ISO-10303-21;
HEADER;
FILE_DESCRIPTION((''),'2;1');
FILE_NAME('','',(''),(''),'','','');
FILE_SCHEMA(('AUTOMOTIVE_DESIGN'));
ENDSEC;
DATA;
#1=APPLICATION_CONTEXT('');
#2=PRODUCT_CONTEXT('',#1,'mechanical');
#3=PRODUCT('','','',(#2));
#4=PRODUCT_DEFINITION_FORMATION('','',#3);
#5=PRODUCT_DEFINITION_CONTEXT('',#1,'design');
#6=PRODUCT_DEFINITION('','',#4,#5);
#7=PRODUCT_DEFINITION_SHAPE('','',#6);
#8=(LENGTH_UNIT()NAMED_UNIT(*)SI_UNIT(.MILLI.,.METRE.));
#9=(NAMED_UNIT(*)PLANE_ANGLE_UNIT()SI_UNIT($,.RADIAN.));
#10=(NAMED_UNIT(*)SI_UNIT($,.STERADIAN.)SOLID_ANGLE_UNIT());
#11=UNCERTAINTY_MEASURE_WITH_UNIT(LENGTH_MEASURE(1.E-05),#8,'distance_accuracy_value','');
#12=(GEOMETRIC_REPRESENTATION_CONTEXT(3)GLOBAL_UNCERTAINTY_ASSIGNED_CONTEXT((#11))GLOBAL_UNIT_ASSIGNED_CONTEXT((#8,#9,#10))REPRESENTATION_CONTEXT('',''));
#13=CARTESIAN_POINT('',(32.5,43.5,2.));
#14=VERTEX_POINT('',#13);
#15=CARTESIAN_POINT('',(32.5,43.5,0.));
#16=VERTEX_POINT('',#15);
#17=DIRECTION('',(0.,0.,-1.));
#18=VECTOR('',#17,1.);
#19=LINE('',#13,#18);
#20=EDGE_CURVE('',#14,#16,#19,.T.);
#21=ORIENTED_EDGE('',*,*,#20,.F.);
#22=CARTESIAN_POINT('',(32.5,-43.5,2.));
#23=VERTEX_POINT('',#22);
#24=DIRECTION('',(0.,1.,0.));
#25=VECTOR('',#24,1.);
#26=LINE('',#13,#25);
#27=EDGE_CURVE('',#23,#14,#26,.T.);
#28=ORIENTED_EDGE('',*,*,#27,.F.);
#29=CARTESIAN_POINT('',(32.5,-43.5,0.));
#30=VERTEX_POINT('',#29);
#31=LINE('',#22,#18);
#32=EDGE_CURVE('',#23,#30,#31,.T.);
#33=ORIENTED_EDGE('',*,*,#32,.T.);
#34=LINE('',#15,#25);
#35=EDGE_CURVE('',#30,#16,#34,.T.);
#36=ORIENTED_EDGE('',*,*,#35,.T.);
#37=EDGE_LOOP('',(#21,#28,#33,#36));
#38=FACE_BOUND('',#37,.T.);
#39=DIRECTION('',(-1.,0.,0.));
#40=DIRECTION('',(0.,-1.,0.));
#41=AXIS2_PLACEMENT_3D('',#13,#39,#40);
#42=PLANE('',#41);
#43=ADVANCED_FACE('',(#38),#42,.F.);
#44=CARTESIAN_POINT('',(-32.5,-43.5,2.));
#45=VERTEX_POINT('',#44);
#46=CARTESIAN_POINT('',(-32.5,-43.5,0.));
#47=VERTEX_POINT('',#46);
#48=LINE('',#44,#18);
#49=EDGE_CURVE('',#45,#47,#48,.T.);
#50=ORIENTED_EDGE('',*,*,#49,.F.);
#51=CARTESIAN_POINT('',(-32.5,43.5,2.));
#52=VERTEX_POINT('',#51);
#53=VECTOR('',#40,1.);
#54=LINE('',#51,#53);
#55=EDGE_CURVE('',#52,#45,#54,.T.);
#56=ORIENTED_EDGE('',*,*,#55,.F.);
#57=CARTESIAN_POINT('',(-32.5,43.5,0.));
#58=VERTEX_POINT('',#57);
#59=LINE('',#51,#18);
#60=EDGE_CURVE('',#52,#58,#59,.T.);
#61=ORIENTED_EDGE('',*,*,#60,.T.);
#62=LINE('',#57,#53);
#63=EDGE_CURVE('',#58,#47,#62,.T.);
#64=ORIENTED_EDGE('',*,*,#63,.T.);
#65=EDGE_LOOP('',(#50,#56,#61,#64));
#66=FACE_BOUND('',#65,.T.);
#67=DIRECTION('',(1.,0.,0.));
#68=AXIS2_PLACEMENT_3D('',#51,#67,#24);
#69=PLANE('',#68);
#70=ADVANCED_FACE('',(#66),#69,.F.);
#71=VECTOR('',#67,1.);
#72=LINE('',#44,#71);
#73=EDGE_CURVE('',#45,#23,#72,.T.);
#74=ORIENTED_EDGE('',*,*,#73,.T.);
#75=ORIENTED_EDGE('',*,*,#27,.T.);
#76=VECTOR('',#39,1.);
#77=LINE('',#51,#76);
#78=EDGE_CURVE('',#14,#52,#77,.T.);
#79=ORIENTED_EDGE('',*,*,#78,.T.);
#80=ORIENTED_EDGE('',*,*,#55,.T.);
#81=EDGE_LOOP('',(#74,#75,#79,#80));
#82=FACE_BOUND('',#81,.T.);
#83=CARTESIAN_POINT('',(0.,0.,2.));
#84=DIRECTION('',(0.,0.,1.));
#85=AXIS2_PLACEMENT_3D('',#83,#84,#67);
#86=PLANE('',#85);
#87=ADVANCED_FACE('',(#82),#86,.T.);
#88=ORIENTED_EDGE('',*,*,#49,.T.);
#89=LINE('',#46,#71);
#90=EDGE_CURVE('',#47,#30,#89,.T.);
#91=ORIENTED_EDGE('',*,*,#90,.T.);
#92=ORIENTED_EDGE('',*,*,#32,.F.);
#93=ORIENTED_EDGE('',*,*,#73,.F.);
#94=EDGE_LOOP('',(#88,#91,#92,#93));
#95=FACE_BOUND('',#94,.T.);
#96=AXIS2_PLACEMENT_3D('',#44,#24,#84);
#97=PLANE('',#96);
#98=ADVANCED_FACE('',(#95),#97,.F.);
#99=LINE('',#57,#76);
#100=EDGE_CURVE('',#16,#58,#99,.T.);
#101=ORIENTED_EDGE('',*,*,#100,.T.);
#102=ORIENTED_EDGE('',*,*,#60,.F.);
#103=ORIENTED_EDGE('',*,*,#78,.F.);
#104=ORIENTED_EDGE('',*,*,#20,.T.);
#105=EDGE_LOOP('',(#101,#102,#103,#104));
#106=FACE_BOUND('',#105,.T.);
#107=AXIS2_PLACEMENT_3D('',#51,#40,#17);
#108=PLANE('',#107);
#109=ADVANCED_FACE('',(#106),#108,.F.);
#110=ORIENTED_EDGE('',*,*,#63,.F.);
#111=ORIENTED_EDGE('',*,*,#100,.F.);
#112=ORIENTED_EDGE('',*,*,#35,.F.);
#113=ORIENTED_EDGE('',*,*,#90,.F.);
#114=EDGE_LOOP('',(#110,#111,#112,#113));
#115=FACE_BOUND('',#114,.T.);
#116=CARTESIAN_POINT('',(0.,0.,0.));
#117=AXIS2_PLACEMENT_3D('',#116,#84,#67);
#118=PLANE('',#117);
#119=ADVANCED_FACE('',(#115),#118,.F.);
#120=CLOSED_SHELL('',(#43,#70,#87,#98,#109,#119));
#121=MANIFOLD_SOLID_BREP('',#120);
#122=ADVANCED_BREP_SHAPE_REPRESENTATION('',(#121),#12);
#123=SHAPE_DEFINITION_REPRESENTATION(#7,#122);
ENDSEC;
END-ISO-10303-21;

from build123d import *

# Parameters (mm, degrees)
SKETCH_1_W      = 65
SKETCH_1_H      = 87
EXTRUDE_1_DEPTH = 2


with BuildPart() as part:
    # Эскиз1 → Бобышка-Вытянуть1 (new body)
    with BuildSketch(Plane.XY):
        Rectangle(SKETCH_1_W, SKETCH_1_H)
    extrude(amount=EXTRUDE_1_DEPTH)


solid = part.part
